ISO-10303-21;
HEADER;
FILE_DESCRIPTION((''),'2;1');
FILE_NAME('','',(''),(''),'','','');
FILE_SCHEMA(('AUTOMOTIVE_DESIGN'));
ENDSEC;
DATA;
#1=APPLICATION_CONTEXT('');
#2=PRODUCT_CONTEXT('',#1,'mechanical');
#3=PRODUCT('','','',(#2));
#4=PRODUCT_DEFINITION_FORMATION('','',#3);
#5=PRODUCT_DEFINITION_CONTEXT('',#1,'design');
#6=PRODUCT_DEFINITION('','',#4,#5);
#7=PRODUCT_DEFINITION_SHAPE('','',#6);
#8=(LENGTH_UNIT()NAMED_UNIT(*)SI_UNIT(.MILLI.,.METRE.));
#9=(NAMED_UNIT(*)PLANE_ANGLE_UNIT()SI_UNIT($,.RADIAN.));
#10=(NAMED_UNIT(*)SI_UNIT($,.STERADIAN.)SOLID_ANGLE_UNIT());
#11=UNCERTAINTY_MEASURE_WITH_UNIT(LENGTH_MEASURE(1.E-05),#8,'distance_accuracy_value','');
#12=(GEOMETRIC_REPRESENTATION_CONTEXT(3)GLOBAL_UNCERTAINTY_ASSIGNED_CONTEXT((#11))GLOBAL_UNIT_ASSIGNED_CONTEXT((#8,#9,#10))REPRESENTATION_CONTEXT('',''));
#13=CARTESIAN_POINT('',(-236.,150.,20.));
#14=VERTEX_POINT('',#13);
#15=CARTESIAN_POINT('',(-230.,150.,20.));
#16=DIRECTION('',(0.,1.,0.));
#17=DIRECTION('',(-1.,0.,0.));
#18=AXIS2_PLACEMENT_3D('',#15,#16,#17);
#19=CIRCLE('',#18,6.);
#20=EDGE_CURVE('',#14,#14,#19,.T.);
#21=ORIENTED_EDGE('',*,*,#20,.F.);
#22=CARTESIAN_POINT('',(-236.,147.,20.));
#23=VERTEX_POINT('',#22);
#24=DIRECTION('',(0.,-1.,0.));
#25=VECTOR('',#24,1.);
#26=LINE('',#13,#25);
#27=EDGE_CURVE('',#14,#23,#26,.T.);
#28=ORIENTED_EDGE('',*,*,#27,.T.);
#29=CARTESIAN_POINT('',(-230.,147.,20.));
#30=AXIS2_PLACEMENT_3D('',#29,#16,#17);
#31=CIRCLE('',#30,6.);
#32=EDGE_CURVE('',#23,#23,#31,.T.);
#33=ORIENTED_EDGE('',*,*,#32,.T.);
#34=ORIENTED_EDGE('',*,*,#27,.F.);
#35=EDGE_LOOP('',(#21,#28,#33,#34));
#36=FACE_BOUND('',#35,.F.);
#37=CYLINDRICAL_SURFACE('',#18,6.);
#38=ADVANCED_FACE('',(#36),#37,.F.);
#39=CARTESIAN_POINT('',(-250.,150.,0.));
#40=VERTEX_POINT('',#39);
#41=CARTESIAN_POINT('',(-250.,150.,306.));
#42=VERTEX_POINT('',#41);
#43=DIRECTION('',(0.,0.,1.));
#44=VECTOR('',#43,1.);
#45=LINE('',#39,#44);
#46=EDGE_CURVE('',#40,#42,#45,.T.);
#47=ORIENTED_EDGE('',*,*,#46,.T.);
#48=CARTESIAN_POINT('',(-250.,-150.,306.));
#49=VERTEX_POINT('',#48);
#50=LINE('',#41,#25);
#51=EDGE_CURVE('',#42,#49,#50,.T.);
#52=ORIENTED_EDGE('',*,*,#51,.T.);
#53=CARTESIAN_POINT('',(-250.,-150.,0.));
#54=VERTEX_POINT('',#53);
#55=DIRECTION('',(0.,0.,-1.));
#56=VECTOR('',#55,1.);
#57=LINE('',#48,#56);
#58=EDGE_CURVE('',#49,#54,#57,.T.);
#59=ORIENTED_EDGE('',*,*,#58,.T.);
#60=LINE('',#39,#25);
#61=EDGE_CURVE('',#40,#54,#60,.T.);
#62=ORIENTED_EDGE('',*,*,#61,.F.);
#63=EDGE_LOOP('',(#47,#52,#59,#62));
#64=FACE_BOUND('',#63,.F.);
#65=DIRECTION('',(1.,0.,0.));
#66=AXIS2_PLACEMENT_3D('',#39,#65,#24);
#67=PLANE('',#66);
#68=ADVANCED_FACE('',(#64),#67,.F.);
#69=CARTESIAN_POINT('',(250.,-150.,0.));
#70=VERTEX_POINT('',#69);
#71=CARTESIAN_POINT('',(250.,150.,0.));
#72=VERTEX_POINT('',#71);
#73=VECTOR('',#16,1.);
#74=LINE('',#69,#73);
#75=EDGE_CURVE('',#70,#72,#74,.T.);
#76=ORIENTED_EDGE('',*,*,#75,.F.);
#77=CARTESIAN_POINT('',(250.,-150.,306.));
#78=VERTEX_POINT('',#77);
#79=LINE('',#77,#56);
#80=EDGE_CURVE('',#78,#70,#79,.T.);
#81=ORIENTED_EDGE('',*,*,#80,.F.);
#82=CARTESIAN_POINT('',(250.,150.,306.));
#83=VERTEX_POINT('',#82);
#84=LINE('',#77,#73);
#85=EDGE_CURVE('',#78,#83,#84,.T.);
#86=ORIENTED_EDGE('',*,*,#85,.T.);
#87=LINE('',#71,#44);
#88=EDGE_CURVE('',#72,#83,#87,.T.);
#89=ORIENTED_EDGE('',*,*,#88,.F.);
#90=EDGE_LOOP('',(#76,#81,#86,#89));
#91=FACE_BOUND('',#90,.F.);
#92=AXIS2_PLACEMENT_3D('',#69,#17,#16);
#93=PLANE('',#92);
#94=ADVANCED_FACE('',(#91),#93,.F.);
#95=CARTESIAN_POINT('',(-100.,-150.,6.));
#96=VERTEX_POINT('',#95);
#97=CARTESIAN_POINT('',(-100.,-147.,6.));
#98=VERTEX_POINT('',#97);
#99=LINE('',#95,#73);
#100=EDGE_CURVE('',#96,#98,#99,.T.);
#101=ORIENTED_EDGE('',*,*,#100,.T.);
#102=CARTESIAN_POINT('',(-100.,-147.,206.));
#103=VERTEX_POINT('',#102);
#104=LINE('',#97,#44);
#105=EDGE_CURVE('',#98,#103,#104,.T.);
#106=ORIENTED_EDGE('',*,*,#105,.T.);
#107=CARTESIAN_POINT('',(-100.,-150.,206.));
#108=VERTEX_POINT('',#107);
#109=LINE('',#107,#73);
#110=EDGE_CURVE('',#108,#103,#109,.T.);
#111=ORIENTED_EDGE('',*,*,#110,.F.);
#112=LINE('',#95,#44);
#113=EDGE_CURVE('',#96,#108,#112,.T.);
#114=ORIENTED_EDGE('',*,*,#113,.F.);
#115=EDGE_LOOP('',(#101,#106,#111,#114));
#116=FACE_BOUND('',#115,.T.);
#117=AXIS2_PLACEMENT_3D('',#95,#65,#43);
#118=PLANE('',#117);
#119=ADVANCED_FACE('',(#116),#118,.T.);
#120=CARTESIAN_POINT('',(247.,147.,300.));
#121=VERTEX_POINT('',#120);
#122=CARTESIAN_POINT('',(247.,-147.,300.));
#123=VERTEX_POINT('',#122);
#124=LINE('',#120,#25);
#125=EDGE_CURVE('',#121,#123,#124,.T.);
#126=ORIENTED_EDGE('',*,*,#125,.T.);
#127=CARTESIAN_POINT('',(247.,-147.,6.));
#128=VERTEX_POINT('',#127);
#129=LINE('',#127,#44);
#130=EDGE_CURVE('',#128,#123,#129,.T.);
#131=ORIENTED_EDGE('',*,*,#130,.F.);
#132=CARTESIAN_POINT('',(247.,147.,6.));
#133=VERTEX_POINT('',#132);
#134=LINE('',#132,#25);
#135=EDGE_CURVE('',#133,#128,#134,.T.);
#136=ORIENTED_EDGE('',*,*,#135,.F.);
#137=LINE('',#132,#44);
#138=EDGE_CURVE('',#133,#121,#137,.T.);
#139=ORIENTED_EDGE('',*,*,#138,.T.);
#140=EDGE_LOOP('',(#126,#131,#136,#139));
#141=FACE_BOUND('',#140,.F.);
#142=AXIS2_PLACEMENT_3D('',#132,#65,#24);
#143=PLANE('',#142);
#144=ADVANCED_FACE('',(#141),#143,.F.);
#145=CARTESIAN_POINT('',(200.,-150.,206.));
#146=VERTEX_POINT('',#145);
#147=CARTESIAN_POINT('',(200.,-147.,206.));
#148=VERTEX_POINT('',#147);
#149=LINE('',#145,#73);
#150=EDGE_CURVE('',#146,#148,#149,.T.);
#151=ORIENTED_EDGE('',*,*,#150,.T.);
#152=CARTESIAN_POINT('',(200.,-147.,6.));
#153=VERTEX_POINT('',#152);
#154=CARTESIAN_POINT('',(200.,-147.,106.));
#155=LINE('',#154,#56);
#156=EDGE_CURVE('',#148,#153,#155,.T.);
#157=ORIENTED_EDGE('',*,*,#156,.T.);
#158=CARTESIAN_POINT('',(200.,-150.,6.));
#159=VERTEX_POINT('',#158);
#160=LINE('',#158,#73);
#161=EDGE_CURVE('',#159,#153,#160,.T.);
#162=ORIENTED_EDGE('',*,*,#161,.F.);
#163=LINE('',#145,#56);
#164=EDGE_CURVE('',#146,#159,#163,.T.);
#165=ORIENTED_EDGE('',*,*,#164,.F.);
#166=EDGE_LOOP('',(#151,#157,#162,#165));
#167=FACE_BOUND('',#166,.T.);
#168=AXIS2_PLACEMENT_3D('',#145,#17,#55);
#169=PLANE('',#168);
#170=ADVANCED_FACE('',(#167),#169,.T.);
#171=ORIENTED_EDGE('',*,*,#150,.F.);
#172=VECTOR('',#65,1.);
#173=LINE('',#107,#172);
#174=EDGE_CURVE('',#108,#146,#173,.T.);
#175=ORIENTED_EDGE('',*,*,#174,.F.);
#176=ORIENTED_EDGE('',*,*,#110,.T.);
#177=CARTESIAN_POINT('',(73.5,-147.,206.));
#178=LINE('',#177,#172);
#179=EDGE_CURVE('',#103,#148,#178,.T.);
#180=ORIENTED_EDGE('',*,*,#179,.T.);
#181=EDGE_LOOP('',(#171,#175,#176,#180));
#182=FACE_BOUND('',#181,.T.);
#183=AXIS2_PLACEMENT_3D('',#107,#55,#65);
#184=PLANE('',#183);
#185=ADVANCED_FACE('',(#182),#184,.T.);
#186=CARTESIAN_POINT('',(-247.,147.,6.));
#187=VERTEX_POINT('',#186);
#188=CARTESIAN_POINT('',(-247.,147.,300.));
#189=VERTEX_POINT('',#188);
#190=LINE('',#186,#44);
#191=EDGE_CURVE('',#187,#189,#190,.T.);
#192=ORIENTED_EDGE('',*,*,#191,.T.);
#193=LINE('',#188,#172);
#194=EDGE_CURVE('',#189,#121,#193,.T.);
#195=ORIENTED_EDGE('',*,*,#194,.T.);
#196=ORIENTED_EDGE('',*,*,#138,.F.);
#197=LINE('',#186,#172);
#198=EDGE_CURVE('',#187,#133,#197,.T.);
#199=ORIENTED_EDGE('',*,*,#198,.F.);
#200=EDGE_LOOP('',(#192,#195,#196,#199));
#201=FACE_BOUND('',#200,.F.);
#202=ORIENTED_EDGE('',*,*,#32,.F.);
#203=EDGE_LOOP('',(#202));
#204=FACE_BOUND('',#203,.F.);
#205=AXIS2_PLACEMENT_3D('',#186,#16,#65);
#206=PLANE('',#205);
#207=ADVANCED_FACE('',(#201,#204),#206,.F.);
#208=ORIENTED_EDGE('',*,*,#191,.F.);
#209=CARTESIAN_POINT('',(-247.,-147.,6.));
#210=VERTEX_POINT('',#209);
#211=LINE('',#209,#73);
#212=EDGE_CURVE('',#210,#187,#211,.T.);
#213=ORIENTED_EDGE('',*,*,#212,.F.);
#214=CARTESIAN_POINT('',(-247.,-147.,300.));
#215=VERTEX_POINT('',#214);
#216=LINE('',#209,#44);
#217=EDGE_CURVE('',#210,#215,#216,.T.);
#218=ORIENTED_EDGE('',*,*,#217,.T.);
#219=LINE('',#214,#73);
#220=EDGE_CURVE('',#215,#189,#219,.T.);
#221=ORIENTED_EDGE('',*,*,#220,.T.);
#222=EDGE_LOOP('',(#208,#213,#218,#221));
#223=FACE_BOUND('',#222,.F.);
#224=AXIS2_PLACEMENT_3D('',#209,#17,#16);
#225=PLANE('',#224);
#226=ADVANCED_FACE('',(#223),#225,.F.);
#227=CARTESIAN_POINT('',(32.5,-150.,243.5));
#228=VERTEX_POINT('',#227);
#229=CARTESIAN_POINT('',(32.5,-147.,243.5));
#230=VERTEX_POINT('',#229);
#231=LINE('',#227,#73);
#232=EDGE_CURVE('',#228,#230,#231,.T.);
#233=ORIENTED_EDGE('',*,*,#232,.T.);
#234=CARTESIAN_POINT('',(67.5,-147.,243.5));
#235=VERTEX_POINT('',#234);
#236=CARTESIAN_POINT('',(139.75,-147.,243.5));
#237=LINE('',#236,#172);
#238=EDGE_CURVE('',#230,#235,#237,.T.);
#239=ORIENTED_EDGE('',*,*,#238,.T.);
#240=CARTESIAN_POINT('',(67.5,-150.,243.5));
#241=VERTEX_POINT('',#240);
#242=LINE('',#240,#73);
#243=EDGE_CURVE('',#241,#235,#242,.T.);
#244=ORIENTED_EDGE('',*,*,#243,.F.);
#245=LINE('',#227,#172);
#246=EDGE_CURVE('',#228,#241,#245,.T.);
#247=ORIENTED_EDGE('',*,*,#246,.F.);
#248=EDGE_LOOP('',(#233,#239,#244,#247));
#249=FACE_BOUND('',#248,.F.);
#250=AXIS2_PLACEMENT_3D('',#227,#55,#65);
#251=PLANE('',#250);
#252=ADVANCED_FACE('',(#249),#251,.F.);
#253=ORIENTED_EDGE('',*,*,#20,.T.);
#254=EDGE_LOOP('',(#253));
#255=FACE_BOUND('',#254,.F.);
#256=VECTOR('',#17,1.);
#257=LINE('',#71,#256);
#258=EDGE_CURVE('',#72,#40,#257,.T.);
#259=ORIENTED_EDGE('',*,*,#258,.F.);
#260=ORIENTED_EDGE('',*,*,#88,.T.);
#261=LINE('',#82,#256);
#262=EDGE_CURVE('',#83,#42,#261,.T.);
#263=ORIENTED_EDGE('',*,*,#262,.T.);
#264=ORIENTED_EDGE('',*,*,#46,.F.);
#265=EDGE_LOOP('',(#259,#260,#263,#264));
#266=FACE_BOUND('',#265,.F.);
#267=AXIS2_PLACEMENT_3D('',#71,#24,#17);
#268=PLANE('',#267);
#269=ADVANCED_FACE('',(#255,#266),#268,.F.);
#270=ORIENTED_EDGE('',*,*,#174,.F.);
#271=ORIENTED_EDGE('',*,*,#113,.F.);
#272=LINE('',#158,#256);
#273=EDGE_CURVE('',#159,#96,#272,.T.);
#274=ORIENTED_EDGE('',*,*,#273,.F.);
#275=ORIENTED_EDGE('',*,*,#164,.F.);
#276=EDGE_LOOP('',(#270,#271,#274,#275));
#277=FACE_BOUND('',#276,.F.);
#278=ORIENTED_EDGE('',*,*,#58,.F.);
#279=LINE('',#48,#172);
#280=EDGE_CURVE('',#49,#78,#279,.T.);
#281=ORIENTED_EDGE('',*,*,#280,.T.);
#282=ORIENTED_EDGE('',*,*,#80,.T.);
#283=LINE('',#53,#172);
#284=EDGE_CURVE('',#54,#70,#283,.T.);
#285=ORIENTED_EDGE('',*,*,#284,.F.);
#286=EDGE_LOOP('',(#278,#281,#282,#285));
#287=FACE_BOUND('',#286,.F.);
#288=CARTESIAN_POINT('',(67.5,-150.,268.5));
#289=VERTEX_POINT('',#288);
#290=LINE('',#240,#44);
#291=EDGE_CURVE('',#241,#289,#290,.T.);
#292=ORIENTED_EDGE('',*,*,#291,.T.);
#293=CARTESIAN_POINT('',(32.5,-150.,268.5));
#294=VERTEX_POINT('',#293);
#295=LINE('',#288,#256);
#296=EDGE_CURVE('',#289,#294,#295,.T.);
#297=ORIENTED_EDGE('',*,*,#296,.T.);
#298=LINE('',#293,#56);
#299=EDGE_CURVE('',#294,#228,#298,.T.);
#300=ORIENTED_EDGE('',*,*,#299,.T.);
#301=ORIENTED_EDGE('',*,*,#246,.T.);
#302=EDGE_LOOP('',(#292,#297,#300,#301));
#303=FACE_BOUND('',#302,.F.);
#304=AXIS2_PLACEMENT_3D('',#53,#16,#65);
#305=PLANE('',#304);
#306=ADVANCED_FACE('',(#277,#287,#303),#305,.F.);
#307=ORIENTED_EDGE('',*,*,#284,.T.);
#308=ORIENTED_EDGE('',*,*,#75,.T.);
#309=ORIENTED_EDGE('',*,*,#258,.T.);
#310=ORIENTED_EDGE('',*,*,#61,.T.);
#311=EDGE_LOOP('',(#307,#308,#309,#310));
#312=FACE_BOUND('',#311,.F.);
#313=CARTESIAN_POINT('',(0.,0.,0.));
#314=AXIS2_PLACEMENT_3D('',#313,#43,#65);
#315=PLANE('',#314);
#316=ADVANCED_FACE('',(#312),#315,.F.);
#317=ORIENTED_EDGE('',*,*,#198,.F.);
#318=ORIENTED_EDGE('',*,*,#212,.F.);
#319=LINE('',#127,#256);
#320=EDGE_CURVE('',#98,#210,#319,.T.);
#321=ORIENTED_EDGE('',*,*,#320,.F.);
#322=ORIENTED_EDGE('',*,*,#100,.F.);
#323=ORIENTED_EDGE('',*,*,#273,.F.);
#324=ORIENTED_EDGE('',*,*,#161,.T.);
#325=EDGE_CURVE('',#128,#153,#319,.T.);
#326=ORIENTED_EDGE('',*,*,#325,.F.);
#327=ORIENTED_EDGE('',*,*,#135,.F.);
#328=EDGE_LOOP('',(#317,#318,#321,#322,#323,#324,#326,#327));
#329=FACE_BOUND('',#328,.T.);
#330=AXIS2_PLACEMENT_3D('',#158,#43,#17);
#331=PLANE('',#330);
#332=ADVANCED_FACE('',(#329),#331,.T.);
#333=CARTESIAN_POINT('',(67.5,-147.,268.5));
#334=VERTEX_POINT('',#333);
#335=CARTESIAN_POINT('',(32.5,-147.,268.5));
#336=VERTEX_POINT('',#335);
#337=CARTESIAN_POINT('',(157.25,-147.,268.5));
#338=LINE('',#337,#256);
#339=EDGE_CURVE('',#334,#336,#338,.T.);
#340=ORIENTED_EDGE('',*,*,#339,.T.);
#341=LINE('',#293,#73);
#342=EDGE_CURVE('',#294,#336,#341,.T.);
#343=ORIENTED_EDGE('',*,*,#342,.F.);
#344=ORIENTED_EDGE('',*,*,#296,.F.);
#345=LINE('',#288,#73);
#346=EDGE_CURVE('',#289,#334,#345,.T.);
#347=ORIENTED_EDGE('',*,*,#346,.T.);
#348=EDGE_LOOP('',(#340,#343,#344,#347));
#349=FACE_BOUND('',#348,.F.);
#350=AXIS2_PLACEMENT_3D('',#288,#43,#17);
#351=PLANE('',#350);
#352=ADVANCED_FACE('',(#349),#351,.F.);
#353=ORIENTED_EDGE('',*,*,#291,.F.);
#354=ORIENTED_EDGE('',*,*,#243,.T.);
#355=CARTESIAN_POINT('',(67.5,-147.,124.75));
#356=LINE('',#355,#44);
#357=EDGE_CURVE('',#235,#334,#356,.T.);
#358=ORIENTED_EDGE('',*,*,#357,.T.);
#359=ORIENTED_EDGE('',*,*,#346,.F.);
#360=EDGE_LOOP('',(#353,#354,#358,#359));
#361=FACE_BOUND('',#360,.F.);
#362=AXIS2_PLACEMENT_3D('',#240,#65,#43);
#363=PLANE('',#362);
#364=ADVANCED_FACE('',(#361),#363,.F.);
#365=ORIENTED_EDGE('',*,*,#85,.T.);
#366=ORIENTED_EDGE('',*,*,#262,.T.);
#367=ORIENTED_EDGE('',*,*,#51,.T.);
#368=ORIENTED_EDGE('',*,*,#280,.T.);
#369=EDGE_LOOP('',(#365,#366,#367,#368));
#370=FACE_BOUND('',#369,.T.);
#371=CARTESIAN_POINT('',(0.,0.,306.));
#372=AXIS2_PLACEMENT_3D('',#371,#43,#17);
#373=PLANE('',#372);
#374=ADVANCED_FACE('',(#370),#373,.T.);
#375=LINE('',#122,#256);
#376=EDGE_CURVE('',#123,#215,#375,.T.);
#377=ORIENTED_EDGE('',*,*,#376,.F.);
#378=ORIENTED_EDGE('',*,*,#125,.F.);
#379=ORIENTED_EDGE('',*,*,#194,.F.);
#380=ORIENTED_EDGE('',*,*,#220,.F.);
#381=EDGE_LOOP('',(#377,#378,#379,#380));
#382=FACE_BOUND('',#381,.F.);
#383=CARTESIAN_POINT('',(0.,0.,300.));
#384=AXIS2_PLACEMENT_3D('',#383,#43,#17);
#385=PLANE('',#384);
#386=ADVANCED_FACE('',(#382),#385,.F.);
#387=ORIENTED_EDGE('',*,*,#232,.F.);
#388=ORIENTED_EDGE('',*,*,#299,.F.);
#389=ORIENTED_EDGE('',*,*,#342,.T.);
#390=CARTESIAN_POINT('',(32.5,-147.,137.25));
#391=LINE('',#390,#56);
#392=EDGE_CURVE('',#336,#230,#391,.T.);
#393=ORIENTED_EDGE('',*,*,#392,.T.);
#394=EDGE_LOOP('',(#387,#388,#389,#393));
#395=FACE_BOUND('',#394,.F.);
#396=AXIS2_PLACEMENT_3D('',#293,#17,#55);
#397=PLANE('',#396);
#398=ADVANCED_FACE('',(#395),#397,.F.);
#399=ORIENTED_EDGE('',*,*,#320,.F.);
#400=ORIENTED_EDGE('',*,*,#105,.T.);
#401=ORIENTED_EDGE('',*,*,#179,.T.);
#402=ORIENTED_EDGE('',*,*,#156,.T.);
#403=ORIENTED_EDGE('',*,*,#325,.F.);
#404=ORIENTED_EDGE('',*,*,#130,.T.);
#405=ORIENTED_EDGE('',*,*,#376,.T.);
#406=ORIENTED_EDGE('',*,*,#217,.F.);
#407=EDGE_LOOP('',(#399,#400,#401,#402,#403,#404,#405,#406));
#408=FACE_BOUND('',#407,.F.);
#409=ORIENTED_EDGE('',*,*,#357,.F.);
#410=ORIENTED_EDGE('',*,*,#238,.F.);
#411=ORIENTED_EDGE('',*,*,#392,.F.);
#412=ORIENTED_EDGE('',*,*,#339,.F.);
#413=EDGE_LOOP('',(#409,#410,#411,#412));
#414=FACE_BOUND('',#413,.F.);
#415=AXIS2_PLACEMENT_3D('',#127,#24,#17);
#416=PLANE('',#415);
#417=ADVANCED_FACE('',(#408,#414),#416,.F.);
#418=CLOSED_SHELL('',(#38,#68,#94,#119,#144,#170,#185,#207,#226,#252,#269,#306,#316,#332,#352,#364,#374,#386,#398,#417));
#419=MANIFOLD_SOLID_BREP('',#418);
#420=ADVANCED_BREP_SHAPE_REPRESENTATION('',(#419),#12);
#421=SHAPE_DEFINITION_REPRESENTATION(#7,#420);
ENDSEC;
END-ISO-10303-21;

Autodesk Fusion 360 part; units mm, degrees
sketch "Onderkant" plane through (0, 0, 0) normal (0, 0, 1) x (1, 0, 0)
  line L0 (250, 150) -> (-250, 150)
  line L1 (-250, 150) -> (-250, -150)
  line L2 (-250, -150) -> (250, -150)
  line L3 (250, -150) -> (250, 150)
  line L4 (250, 150) -> (-250, -150) construction
  line L5 (-250, 150) -> (250, -150) construction
  dimension "d29" = 500
  dimension "d30" = 300
extrude "Extrude7" add sketch "Onderkant" along normal blind 6
sketch "Zijkanten" plane through (0, 0, 6) normal (0, 0, 1) x (-1, 0, 0)
  line L0 (-250, 150) -> (-250, -150)
  line L1 (-250, -150) -> (250, -150)
  line L2 (250, -150) -> (250, 150)
  line L3 (250, 150) -> (-250, 150)
  line L4 (-247, 147) -> (247, 147)
  line L5 (247, 147) -> (247, -147)
  line L6 (247, -147) -> (-247, -147)
  line L7 (-247, -147) -> (-247, 147)
  line L8 (-247, 147) -> (247, -147) construction
  line L9 (247, 147) -> (-247, -147) construction
  dimension "d33" = 494
  dimension "d34" = 294
extrude "Extrude8" add sketch "Zijkanten" along normal blind 300
sketch "Bovenkant" plane through (0, 0, 306) normal (0, 0, 1) x (-1, 0, 0)
  line L0 (247, -147) -> (-247, -147)
  line L1 (-247, -147) -> (-247, 147)
  line L2 (-247, 147) -> (247, 147)
  line L3 (247, 147) -> (247, -147)
  line L4 (250, 150) -> (-250, 150)
  line L5 (-250, 150) -> (-250, -150)
  line L6 (-250, -150) -> (250, -150)
  line L7 (250, -150) -> (250, 150)
  line L8 (-250, 150) -> (250, 150)
  line L9 (250, 150) -> (250, -150)
  line L10 (250, -150) -> (-250, -150)
  line L11 (-250, -150) -> (-250, 150)
  line L12 (-250, 150) -> (250, -150) construction
  line L13 (250, 150) -> (-250, -150) construction
  dimension "d37" = 500
  dimension "d38" = 300
extrude "Extrude9" add sketch "Bovenkant" against normal blind 6 contours L0 L1 L2 L3
sketch "Deur" plane through (0, -150, 0) normal (0, -1, 0) x (1, 0, 0)
  line L0 (-250, 0) -> (250, 0)
  line L1 (250, 0) -> (250, 306)
  line L2 (250, 306) -> (-250, 306)
  line L3 (-250, 306) -> (-250, 0)
  line L4 (200, 6) -> (-100, 6)
  line L5 (-100, 6) -> (-100, 206)
  line L6 (-100, 206) -> (200, 206)
  line L7 (200, 206) -> (200, 6)
  dimension "d42" = 300
  dimension "d43" = 200
extrude "Extrude10" cut sketch "Deur" against normal blind 6 contours L4 L5 L6 L7
sketch "Gat kabel" plane through (0, 150, 0) normal (0, 1, 0) x (-1, 0, 0)
  line L0 (-250, 0) -> (250, 0)
  line L1 (250, 0) -> (250, 306)
  line L2 (250, 306) -> (-250, 306)
  line L3 (-250, 306) -> (-250, 0)
  line L4 (240, 10) -> (220, 10)
  line L5 (220, 10) -> (220, 30)
  line L6 (220, 30) -> (240, 30)
  line L7 (240, 30) -> (240, 10)
  circle A0 centre (230, 20) radius 6
  dimension "d46" = 12
extrude "Extrude11" cut sketch "Gat kabel" against normal blind 6 contours A0
sketch "Gat scanner" plane through (0, -150, 0) normal (0, -1, 0) x (1, 0, 0)
  line L0 (-100, 6) -> (-100, 206)
  line L1 (-100, 206) -> (200, 206)
  line L2 (200, 206) -> (200, 6)
  line L3 (200, 6) -> (-100, 6)
  line L4 (-250, 0) -> (250, 0)
  line L5 (250, 0) -> (250, 306)
  line L6 (250, 306) -> (-250, 306)
  line L7 (-250, 306) -> (-250, 0)
  line L8 (67.5, 268.5) -> (32.5, 268.5)
  line L9 (32.5, 268.5) -> (32.5, 243.5)
  line L10 (32.5, 243.5) -> (67.5, 243.5)
  line L11 (67.5, 243.5) -> (67.5, 268.5)
  line L12 (67.5, 268.5) -> (32.5, 243.5) construction
  line L13 (32.5, 268.5) -> (67.5, 243.5) construction
  point P0 (50, 256)
  dimension "d51" = 35
  dimension "d52" = 25
extrude "Extrude12" cut sketch "Gat scanner" against normal blind 6 contours L8 L9 L10 L11
equation "lengte = 500 mm"
equation "breedte = 300 mm"
equation "hoogte = 300 mm"
equation "dikte_plaat = 6 mm"
equation "breedte_deur = 300 mm"
equation "hoogte_deur = 200 mm"
equation "d29 = lengte"
equation "d30 = breedte"
equation "d31 = dikte_plaat"
equation "d33 = lengte - dikte_plaat"
equation "d34 = breedte - dikte_plaat"
equation "d35 = hoogte"
equation "d37 = lengte"
equation "d38 = breedte"
equation "d39 = -dikte_plaat"
equation "d42 = breedte_deur"
equation "d43 = hoogte_deur"
equation "d44 = -dikte_plaat"
equation "d47 = -dikte_plaat"
equation "breedte_scanner = 35 mm"
equation "hoogte_scanner = 25 mm"
equation "d51 = breedte_scanner"
equation "d52 = hoogte_scanner"
equation "d53 = -dikte_plaat"
